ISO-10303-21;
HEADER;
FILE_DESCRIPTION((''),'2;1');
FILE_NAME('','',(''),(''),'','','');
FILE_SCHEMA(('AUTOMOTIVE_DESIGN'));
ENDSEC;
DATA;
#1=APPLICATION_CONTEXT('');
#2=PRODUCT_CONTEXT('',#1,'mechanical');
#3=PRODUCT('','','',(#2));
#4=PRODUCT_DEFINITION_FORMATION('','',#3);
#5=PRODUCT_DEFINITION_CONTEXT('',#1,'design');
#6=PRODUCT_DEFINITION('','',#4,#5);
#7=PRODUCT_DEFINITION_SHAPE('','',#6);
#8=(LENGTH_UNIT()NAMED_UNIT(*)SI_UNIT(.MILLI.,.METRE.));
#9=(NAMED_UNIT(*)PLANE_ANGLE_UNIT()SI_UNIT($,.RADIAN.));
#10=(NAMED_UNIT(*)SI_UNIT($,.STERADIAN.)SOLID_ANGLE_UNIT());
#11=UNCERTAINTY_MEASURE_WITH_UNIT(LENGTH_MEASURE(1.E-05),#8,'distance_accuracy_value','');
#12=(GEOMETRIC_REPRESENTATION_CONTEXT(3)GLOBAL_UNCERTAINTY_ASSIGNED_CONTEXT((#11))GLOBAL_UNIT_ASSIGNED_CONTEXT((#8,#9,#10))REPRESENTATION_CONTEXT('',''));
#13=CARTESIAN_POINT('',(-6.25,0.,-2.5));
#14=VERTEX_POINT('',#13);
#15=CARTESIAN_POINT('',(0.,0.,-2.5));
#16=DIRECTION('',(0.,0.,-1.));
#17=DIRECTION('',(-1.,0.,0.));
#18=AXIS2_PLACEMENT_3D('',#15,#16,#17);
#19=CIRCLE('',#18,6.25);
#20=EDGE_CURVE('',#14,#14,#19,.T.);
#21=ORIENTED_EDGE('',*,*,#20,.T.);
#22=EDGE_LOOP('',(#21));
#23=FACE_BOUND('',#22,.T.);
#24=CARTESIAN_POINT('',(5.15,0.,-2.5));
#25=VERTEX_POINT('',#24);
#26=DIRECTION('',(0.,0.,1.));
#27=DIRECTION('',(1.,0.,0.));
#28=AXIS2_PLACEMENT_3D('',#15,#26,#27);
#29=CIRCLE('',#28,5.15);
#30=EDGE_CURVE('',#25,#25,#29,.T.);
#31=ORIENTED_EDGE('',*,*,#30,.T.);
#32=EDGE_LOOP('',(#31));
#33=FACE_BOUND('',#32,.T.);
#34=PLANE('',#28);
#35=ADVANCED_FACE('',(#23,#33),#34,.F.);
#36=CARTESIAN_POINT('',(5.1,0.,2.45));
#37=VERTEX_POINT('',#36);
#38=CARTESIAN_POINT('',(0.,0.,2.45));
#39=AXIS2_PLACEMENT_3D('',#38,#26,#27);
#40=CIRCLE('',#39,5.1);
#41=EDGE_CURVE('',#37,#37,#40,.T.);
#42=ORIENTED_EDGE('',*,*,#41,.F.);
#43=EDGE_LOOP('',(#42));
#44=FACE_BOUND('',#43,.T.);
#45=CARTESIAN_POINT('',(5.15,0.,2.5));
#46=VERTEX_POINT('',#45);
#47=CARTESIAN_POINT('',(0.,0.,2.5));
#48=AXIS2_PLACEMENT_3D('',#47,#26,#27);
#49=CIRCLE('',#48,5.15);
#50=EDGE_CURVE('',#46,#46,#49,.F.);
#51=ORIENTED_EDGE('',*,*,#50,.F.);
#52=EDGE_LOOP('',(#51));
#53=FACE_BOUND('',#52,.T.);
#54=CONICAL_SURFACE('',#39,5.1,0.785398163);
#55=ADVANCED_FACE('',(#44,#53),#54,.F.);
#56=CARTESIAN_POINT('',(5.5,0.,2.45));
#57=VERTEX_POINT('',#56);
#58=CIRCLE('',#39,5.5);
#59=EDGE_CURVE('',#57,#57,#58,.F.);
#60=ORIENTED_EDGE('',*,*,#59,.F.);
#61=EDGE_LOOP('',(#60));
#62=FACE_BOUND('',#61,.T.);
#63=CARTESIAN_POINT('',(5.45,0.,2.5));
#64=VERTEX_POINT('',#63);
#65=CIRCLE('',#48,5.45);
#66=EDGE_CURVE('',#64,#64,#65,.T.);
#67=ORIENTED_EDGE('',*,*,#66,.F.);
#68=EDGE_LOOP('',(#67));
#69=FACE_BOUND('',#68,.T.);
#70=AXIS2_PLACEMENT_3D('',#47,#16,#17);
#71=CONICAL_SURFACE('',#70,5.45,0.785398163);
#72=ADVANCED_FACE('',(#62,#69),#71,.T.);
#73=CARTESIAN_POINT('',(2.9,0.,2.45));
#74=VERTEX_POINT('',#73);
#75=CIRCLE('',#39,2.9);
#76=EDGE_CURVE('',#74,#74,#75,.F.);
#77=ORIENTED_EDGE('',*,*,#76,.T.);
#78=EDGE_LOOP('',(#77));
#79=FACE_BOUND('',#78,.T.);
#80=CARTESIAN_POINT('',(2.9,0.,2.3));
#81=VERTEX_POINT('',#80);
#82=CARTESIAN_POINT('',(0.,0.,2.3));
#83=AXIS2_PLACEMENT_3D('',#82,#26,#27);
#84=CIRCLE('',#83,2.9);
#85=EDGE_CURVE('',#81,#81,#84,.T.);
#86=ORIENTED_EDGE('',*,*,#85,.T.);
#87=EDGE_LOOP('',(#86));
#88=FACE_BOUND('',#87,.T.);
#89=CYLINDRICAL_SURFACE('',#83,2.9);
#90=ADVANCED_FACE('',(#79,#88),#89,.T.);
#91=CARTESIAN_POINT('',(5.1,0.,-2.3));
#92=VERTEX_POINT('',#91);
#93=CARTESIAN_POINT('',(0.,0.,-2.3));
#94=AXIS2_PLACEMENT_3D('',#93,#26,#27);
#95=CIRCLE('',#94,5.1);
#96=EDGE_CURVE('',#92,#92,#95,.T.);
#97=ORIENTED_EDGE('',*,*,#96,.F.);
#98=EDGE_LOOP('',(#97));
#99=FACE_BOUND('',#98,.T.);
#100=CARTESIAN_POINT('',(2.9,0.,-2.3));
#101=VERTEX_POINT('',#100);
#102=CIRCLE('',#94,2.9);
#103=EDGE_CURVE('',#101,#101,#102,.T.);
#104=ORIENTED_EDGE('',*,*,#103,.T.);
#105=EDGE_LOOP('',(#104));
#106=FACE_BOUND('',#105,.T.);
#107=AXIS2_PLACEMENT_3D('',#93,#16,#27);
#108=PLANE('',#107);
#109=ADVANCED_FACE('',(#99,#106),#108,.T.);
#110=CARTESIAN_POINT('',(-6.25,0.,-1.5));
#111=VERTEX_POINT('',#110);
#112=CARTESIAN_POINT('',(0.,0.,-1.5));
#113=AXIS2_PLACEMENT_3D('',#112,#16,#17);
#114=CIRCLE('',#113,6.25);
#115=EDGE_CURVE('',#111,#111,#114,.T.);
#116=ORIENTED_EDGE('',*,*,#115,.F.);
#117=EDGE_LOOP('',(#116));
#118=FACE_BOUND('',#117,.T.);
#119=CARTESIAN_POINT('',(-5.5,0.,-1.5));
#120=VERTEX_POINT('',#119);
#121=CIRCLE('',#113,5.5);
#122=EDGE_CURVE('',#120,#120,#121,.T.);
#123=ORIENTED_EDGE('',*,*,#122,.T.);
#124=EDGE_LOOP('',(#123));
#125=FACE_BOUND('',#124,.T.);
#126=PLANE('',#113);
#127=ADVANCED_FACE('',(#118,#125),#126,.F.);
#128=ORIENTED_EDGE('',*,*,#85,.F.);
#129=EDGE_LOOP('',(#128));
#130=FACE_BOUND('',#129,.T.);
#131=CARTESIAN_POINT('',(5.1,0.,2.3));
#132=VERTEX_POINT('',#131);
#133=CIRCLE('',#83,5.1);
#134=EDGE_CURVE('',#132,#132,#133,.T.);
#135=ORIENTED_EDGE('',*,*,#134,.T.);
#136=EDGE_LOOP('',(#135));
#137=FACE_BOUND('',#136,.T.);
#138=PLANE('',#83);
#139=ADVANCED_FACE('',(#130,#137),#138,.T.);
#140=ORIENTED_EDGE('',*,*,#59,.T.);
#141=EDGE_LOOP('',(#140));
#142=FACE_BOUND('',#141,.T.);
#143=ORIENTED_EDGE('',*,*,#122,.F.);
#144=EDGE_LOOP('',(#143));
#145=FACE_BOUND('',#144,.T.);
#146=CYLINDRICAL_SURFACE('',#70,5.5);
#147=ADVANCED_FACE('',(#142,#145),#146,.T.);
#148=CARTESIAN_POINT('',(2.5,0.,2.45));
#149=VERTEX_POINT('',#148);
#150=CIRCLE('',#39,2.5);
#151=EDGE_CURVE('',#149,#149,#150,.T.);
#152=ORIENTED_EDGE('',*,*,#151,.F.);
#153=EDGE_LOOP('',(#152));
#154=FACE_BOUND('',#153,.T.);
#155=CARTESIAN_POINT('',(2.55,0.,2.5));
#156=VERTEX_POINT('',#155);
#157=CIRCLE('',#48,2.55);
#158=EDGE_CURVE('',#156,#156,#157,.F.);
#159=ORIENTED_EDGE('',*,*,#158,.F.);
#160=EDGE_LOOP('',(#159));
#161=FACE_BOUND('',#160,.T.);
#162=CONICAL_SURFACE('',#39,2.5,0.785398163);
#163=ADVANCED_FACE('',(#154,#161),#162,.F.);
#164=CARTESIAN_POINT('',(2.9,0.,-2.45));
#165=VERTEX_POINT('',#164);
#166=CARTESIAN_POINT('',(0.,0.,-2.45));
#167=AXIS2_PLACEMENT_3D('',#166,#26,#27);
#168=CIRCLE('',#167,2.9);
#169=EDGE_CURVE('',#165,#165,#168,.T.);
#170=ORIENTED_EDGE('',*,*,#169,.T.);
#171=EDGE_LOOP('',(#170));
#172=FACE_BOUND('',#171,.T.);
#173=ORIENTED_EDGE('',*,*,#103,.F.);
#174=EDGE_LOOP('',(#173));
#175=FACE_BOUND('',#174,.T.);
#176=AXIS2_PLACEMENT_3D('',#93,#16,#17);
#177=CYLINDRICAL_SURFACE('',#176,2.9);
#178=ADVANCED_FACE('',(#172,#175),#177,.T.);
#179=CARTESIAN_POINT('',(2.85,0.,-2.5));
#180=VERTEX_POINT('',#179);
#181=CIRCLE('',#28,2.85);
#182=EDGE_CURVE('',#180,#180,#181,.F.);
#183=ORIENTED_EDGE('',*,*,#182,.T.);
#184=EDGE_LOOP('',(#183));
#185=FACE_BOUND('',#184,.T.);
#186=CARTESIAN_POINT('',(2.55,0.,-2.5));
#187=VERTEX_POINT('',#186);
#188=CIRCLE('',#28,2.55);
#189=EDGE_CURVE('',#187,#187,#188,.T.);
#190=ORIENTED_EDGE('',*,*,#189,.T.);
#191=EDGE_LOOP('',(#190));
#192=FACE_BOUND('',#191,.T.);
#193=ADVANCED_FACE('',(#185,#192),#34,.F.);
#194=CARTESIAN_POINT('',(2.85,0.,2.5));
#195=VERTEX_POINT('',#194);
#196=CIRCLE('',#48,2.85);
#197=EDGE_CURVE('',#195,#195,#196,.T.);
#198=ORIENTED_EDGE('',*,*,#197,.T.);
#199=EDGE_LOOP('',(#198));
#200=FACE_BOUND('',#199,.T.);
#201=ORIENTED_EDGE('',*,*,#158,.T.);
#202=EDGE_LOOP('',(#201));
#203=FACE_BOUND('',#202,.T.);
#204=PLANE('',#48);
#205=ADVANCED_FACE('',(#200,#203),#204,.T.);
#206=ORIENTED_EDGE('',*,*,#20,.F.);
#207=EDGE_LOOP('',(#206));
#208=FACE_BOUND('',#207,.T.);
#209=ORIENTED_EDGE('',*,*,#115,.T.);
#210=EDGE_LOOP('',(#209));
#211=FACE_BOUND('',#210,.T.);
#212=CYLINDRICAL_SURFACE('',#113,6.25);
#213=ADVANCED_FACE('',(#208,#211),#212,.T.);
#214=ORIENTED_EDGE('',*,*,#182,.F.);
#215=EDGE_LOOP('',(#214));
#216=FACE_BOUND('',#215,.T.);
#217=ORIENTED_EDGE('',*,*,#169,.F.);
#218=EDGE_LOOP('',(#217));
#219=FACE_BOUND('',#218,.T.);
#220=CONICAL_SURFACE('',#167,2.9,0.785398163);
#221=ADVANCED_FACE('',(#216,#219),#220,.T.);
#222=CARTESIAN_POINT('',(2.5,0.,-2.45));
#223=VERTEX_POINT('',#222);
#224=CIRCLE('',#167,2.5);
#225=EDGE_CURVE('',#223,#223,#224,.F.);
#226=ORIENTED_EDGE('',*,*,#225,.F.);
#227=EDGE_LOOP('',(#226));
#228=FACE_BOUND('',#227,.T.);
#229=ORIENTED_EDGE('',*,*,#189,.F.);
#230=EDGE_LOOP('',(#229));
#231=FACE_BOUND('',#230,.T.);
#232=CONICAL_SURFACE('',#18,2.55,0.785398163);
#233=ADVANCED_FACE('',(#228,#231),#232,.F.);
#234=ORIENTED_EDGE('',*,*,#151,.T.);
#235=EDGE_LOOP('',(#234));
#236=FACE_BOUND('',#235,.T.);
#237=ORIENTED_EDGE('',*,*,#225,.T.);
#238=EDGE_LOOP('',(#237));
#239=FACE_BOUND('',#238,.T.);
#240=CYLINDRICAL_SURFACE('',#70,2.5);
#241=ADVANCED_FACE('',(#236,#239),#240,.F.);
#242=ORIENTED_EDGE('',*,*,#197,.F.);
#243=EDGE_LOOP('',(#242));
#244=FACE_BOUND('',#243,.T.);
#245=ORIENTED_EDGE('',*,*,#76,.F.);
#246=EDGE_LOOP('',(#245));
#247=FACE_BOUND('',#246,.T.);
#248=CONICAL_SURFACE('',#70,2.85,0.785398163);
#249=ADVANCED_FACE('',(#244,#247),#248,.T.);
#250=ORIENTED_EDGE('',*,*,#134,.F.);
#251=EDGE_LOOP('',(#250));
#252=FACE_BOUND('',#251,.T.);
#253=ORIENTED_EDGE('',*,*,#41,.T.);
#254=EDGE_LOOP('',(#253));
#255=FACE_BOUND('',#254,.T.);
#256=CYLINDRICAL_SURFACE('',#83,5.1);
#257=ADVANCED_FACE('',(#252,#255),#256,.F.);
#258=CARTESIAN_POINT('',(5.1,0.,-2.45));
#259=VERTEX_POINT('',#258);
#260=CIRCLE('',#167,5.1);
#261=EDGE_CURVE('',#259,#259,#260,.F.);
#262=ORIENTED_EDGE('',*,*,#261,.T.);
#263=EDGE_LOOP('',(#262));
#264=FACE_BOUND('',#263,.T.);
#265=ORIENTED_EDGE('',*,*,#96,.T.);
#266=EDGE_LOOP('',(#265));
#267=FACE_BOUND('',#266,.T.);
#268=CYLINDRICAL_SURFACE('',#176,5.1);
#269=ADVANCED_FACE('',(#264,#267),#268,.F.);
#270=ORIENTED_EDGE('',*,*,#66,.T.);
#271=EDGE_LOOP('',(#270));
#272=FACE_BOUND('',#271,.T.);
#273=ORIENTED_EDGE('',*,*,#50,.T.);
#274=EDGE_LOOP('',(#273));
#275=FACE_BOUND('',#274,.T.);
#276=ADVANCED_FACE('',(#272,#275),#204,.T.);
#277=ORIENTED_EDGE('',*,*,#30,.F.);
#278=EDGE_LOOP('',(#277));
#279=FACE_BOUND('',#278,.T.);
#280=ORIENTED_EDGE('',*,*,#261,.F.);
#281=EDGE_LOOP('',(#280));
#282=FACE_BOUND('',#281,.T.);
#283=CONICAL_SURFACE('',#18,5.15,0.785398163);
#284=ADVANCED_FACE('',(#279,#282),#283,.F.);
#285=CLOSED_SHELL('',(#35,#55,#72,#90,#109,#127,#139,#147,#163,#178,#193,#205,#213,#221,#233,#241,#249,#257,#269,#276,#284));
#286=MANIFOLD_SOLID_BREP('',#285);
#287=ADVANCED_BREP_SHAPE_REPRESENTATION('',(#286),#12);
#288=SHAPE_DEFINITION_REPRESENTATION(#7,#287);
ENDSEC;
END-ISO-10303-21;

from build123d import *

# Parameters (mm, degrees)
SKETCH_1_R          = 5.5
SKETCH_1_R_2        = 2.5
EXTRUDE_1_DEPTH     = 2.5
SKETCH_3_R          = 6.25
SKETCH_3_R_2        = 2.5
EXTRUDE_2_DEPTH     = 1
SKETCH_4_R          = 5.1
SKETCH_4_R_2        = 2.9
CUT_EXTRUDE_1_DEPTH = 0.2
CHAMFER_1_SIZE      = 0.05


with BuildPart() as part:
    # 草图1 → 凸台-拉伸1 (new body, symmetric)
    with BuildSketch(Plane.XY):
        Circle(SKETCH_1_R)
        Circle(SKETCH_1_R_2, mode=Mode.SUBTRACT)
    extrude(amount=EXTRUDE_1_DEPTH, both=True)

    # 草图3 → 凸台-拉伸2 (add)
    with BuildSketch(Plane(origin=(0, 0, -2.5), x_dir=(-1, 0, 0), z_dir=(0, 0, -1))):
        Circle(SKETCH_3_R)
        Circle(SKETCH_3_R_2, mode=Mode.SUBTRACT)
    extrude(amount=-EXTRUDE_2_DEPTH)

    # 草图4 → 切除-拉伸1 (cut)
    with BuildSketch(Plane.XY.offset(2.5)):
        Circle(SKETCH_4_R)
        Circle(SKETCH_4_R_2, mode=Mode.SUBTRACT)
    cut_extrude_1 = extrude(amount=-CUT_EXTRUDE_1_DEPTH, mode=Mode.SUBTRACT)

    # 镜向1: 切除-拉伸1 across plane
    add(cut_extrude_1.mirror(Plane.XY), mode=Mode.SUBTRACT)

    # 倒角1
    chamfer_1_edges = [part.edges().sort_by_distance(p)[0] for p in [
        (-5.1, 0, 2.5),
        (-2.9, 0, 2.5),
        (-2.9, 0, -2.5),
        (-5.1, 0, -2.5),
        (-5.5, 0, 2.5),
        (-2.5, 0, -2.5),
        (-2.5, 0, 2.5),
    ]]
    chamfer(chamfer_1_edges, length=CHAMFER_1_SIZE)


solid = part.part
